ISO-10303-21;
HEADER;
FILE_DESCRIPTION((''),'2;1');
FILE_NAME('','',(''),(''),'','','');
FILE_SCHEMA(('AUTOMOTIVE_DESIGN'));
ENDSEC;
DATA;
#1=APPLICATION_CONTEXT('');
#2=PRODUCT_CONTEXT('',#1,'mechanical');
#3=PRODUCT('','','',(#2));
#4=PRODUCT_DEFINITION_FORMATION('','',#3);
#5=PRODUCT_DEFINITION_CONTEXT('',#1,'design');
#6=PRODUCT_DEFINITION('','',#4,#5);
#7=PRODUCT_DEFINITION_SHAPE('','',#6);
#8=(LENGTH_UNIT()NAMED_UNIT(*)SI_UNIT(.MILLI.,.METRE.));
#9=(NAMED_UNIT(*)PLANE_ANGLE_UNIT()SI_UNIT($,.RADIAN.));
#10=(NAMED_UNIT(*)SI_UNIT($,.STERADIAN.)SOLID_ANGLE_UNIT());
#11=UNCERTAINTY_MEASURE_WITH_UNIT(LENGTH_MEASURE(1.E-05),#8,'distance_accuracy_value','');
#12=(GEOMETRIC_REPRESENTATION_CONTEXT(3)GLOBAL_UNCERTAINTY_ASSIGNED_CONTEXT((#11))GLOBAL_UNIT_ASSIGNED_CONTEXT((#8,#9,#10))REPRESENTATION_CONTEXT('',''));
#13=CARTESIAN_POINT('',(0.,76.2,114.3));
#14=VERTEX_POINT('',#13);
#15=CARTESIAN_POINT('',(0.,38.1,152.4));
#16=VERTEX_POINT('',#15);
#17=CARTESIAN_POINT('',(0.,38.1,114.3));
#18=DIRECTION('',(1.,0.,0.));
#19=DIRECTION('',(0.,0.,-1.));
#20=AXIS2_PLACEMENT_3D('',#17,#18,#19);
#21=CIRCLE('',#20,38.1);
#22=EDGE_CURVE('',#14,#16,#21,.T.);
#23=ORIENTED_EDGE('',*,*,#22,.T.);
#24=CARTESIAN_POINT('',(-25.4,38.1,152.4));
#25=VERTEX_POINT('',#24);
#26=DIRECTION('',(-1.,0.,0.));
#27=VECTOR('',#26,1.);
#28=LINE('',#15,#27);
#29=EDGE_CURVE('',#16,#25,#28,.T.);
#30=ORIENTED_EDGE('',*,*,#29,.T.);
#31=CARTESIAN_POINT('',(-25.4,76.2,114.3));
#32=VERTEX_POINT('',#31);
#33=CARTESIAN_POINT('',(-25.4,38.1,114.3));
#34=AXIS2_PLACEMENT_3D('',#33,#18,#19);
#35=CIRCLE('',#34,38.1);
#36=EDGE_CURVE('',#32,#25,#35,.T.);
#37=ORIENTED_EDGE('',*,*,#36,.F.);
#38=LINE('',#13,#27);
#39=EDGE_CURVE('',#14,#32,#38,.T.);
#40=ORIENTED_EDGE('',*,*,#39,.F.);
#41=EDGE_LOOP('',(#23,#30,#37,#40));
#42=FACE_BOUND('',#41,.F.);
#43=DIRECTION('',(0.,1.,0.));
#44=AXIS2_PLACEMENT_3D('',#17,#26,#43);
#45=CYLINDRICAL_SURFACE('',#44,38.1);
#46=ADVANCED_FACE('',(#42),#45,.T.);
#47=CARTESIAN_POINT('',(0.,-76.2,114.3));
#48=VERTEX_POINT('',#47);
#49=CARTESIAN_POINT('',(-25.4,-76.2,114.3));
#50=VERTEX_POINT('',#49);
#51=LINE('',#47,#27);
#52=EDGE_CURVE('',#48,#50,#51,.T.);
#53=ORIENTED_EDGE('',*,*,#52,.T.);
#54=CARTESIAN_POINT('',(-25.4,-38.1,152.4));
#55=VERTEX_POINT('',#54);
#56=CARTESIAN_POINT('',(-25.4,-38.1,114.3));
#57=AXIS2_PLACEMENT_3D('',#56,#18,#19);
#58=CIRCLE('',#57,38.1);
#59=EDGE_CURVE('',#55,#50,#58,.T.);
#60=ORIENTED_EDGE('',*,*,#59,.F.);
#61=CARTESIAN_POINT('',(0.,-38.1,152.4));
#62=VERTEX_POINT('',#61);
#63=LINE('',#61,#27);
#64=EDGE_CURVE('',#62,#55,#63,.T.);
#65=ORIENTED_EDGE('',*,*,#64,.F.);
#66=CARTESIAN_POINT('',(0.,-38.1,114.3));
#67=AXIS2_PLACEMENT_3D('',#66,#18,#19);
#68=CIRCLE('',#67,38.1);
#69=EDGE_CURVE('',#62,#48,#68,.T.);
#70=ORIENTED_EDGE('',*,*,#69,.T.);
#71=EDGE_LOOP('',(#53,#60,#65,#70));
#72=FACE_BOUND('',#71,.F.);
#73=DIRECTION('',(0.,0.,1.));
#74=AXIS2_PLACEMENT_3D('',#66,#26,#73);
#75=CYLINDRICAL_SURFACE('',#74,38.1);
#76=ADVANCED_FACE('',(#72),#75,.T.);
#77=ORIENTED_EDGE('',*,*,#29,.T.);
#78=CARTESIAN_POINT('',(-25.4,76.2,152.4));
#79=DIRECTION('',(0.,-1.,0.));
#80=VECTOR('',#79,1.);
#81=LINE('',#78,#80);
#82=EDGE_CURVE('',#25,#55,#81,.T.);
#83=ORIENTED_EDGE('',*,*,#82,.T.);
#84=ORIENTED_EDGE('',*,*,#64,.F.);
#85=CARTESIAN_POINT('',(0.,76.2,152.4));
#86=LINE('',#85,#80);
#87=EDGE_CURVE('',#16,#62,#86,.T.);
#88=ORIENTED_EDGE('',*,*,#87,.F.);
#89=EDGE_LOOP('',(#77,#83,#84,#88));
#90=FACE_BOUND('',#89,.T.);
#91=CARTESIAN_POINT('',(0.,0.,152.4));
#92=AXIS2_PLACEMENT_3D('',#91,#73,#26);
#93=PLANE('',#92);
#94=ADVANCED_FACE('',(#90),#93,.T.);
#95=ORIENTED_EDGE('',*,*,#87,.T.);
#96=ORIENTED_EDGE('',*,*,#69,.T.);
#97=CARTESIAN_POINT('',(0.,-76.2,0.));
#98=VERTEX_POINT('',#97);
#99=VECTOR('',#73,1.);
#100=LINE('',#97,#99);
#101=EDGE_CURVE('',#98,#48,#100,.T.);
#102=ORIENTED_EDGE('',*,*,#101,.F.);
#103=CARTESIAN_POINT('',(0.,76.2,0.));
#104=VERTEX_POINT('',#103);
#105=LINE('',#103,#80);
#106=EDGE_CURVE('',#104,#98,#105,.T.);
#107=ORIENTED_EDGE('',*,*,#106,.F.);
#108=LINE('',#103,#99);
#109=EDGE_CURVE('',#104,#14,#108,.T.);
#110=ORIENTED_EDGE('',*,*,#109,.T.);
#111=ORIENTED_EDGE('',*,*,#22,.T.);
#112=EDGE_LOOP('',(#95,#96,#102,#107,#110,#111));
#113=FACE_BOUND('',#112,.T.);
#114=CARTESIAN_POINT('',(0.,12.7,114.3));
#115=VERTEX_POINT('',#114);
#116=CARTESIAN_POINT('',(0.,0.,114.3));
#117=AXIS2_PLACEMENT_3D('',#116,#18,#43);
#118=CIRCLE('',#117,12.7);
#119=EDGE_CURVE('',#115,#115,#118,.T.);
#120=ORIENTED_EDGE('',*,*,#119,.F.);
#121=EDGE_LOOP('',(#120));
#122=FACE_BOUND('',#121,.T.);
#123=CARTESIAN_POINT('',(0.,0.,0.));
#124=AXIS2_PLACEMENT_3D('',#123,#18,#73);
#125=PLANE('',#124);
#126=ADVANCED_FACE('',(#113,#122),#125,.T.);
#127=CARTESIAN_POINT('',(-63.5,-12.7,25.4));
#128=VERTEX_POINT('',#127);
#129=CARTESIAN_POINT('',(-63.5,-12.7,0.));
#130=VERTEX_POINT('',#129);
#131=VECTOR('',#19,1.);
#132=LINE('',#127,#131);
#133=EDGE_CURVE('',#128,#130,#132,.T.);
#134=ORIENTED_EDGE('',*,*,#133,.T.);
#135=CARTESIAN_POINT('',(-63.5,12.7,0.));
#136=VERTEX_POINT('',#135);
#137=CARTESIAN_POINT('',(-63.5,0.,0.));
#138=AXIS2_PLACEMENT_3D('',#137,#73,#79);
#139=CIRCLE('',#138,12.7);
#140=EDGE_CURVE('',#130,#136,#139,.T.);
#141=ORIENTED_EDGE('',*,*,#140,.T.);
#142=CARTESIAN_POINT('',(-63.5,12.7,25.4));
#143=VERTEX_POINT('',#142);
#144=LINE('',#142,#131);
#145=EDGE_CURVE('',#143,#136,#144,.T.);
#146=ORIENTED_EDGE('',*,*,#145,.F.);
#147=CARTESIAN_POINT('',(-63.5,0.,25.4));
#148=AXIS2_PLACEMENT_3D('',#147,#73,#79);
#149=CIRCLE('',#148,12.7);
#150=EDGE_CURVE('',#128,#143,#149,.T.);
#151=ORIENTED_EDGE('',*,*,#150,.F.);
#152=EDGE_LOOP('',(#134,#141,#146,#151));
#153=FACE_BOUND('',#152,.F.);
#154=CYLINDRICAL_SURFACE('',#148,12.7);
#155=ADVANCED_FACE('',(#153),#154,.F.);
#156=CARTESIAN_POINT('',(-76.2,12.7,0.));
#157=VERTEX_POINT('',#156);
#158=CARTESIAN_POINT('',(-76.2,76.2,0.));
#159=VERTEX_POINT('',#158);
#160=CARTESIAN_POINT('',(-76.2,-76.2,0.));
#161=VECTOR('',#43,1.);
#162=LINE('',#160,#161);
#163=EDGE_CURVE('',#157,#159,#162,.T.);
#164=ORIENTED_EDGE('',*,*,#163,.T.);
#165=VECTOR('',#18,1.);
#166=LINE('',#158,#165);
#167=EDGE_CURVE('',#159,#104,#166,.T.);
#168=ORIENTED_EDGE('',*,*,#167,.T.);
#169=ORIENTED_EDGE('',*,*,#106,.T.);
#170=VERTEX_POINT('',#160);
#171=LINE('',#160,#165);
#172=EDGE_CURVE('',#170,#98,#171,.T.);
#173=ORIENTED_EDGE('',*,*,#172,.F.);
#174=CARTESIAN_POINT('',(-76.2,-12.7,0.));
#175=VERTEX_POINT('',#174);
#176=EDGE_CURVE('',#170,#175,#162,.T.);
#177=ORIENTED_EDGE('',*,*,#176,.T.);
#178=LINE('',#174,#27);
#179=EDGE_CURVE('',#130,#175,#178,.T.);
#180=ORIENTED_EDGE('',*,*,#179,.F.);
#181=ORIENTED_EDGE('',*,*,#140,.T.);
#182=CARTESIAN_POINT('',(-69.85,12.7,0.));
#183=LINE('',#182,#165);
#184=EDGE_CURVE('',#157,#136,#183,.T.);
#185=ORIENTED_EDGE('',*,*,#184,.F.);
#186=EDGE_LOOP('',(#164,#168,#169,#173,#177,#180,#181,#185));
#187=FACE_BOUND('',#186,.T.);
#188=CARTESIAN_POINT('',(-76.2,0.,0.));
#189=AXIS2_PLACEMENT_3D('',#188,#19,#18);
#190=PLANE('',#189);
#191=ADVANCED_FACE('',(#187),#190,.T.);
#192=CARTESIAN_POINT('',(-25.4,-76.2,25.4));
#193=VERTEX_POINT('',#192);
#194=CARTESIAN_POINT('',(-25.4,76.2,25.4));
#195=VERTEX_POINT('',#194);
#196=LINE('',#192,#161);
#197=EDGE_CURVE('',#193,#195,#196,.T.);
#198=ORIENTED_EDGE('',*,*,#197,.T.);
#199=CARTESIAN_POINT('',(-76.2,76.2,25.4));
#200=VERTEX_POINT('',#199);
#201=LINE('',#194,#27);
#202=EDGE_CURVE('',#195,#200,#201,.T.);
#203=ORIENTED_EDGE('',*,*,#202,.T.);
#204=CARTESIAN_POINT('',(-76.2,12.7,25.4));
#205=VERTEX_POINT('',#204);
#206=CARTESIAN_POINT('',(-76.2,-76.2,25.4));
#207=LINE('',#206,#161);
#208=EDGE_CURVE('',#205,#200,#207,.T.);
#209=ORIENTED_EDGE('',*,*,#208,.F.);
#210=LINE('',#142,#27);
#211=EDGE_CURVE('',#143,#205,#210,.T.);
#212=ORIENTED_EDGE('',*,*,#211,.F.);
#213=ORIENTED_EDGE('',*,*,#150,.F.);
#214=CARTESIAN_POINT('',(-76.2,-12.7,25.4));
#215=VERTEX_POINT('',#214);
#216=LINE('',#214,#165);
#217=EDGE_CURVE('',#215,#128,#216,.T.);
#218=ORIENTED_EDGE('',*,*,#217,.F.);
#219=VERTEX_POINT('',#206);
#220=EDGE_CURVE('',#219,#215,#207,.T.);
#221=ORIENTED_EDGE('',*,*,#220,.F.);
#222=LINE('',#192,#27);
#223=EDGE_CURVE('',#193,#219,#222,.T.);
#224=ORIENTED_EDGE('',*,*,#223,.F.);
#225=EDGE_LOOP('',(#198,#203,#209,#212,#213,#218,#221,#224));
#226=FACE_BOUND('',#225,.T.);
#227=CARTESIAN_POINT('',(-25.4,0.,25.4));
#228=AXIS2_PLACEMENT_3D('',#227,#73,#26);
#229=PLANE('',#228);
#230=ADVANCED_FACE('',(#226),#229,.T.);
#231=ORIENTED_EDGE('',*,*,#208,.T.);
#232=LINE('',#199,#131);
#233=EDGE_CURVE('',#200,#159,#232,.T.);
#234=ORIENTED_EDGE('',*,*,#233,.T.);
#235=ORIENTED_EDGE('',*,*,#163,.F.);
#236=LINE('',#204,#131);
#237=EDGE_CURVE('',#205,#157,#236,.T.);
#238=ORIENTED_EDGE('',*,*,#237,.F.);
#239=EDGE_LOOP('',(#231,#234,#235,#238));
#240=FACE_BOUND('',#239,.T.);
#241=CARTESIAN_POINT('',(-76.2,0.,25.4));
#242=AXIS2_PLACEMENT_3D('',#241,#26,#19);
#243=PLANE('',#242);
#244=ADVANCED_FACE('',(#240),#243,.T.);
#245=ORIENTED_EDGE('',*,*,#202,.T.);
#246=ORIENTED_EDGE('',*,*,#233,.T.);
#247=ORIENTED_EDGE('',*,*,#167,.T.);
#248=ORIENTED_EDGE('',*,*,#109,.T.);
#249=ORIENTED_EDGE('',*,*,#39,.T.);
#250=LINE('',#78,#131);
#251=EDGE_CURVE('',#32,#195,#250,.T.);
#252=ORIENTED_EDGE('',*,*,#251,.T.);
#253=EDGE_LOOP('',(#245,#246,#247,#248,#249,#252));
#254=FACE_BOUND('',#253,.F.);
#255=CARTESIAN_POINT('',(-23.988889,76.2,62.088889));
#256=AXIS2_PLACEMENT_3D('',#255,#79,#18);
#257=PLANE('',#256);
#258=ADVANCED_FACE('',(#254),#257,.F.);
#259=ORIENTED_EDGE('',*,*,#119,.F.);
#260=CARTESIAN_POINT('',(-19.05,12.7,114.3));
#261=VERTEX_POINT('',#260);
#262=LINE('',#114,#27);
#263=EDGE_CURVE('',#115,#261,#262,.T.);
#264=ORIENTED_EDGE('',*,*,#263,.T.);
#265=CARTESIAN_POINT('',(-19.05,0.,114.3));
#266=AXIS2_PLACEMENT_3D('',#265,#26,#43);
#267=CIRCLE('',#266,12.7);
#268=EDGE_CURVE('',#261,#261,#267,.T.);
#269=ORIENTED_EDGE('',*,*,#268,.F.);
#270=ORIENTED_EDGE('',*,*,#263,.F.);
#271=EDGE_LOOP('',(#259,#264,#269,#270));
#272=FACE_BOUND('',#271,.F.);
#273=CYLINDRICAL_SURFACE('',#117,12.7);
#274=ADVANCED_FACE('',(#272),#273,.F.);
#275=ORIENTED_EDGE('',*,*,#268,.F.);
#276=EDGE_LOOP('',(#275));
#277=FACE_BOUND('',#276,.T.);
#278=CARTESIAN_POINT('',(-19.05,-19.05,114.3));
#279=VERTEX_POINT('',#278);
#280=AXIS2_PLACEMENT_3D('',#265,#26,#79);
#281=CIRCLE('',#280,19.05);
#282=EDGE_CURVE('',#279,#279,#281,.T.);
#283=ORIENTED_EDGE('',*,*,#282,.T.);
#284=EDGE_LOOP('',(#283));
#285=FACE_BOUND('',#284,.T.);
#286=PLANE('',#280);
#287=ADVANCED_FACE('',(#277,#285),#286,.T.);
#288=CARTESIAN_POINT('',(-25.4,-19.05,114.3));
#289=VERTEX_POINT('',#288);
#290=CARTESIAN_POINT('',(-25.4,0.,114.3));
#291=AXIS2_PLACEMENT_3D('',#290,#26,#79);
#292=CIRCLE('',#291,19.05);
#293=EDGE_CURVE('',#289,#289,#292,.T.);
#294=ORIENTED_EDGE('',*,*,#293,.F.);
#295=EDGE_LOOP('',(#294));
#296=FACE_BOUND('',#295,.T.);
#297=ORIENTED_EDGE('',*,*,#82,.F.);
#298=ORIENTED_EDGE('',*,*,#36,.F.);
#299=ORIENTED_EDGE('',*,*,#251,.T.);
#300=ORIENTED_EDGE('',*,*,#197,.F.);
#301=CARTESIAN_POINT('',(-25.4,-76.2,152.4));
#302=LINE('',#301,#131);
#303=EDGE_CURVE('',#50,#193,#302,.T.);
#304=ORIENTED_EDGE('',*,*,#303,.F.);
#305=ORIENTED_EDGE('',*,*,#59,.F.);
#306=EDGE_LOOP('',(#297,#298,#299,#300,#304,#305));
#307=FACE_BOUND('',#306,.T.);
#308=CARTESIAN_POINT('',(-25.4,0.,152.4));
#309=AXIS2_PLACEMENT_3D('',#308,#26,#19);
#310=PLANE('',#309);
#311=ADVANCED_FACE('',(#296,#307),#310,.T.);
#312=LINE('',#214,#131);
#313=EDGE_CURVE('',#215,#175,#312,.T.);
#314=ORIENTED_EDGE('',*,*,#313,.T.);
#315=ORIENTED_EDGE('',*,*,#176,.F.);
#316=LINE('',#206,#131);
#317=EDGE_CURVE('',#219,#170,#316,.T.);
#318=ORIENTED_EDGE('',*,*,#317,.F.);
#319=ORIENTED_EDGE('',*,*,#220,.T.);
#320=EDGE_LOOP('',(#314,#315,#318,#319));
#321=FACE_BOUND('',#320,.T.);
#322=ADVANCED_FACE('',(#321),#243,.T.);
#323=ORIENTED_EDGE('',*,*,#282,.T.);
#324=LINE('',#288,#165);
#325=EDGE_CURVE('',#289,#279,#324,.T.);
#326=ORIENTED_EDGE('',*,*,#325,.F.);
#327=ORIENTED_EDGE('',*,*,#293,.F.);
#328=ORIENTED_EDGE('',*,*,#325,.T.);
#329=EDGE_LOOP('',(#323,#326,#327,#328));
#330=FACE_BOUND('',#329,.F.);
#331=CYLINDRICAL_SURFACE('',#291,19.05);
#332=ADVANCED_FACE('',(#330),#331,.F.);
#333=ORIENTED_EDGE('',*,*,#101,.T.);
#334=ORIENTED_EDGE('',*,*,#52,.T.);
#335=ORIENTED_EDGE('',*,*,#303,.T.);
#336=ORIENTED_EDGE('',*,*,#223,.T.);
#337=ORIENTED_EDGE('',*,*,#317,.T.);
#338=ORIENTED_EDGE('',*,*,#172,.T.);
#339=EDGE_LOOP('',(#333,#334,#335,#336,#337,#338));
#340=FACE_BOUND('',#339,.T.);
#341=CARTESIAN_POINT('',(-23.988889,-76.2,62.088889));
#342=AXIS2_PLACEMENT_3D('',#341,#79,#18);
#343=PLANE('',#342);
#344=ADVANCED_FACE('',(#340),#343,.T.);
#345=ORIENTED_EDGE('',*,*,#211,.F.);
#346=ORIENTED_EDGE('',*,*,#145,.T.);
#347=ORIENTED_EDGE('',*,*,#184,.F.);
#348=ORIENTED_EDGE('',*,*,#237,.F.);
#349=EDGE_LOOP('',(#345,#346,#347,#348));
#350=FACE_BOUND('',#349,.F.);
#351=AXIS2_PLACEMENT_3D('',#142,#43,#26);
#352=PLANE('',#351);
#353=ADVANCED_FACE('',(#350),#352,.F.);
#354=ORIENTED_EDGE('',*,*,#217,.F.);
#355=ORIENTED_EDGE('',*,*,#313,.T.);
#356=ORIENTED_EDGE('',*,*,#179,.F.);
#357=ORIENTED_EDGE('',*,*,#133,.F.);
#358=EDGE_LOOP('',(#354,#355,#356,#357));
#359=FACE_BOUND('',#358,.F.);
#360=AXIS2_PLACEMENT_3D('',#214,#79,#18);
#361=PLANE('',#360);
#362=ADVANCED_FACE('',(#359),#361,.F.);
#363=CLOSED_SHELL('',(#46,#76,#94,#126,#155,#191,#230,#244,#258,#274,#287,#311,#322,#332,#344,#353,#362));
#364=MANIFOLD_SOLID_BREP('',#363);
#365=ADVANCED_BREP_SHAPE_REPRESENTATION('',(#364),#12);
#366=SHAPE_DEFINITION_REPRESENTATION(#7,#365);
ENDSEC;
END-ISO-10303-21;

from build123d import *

# Parameters (mm, degrees)
F1_DEPTH = 76.2
F2_R     = 12.7
F3_DEPTH = 76.201
F5_DEPTH = 25.401
F6_R     = 19.05
F6_R_2   = 12.7
F7_DEPTH = 6.35
F8_R     = 38.1


with BuildPart() as f1:
    # F0 (on Front) → F1 (new body, symmetric)
    with BuildSketch(Plane.XZ):
        Polygon((-76.2, 0), (0, 0), (0, 152.4), (-25.4, 152.4), (-25.4, 25.4), (-76.2, 25.4), align=None)
    extrude(amount=F1_DEPTH, both=True)

    # F2 (on face) → F3 (cut, through all)
    with BuildSketch(Plane.YZ):
        with Locations((0, 114.3)):
            Circle(F2_R)
    extrude(amount=-F3_DEPTH, mode=Mode.SUBTRACT)

    # F4 (on face) → F5 (cut, through all)
    with BuildSketch(Plane.XY.offset(25.4)):
        with BuildLine():
            ThreePointArc((-63.5, -12.7), (-50.8, 0), (-63.5, 12.7))
            Line((-63.5, 12.7), (-76.2, 12.7))
            Line((-76.2, 12.7), (-76.2, 0))
            Line((-76.2, 0), (-76.2, -12.7))
            Line((-76.2, -12.7), (-63.5, -12.7))
        make_face()
    extrude(amount=-F5_DEPTH, mode=Mode.SUBTRACT)

    # F6 (on face) → F7 (cut)
    with BuildSketch(Plane(origin=(-25.4, 0, 0), x_dir=(0, -1, 0), z_dir=(-1, 0, 0))):
        with Locations((0, 114.3)):
            Circle(F6_R)
        with Locations((0, 114.3)):
            Circle(F6_R_2, mode=Mode.SUBTRACT)
    extrude(amount=-F7_DEPTH, mode=Mode.SUBTRACT)

    # F8
    f8_edges = [f1.edges().sort_by_distance(p)[0] for p in [
        (-12.7, -76.2, 152.4),
        (-12.7, 76.2, 152.4),
    ]]
    fillet(f8_edges, radius=F8_R)


solid = f1.part
